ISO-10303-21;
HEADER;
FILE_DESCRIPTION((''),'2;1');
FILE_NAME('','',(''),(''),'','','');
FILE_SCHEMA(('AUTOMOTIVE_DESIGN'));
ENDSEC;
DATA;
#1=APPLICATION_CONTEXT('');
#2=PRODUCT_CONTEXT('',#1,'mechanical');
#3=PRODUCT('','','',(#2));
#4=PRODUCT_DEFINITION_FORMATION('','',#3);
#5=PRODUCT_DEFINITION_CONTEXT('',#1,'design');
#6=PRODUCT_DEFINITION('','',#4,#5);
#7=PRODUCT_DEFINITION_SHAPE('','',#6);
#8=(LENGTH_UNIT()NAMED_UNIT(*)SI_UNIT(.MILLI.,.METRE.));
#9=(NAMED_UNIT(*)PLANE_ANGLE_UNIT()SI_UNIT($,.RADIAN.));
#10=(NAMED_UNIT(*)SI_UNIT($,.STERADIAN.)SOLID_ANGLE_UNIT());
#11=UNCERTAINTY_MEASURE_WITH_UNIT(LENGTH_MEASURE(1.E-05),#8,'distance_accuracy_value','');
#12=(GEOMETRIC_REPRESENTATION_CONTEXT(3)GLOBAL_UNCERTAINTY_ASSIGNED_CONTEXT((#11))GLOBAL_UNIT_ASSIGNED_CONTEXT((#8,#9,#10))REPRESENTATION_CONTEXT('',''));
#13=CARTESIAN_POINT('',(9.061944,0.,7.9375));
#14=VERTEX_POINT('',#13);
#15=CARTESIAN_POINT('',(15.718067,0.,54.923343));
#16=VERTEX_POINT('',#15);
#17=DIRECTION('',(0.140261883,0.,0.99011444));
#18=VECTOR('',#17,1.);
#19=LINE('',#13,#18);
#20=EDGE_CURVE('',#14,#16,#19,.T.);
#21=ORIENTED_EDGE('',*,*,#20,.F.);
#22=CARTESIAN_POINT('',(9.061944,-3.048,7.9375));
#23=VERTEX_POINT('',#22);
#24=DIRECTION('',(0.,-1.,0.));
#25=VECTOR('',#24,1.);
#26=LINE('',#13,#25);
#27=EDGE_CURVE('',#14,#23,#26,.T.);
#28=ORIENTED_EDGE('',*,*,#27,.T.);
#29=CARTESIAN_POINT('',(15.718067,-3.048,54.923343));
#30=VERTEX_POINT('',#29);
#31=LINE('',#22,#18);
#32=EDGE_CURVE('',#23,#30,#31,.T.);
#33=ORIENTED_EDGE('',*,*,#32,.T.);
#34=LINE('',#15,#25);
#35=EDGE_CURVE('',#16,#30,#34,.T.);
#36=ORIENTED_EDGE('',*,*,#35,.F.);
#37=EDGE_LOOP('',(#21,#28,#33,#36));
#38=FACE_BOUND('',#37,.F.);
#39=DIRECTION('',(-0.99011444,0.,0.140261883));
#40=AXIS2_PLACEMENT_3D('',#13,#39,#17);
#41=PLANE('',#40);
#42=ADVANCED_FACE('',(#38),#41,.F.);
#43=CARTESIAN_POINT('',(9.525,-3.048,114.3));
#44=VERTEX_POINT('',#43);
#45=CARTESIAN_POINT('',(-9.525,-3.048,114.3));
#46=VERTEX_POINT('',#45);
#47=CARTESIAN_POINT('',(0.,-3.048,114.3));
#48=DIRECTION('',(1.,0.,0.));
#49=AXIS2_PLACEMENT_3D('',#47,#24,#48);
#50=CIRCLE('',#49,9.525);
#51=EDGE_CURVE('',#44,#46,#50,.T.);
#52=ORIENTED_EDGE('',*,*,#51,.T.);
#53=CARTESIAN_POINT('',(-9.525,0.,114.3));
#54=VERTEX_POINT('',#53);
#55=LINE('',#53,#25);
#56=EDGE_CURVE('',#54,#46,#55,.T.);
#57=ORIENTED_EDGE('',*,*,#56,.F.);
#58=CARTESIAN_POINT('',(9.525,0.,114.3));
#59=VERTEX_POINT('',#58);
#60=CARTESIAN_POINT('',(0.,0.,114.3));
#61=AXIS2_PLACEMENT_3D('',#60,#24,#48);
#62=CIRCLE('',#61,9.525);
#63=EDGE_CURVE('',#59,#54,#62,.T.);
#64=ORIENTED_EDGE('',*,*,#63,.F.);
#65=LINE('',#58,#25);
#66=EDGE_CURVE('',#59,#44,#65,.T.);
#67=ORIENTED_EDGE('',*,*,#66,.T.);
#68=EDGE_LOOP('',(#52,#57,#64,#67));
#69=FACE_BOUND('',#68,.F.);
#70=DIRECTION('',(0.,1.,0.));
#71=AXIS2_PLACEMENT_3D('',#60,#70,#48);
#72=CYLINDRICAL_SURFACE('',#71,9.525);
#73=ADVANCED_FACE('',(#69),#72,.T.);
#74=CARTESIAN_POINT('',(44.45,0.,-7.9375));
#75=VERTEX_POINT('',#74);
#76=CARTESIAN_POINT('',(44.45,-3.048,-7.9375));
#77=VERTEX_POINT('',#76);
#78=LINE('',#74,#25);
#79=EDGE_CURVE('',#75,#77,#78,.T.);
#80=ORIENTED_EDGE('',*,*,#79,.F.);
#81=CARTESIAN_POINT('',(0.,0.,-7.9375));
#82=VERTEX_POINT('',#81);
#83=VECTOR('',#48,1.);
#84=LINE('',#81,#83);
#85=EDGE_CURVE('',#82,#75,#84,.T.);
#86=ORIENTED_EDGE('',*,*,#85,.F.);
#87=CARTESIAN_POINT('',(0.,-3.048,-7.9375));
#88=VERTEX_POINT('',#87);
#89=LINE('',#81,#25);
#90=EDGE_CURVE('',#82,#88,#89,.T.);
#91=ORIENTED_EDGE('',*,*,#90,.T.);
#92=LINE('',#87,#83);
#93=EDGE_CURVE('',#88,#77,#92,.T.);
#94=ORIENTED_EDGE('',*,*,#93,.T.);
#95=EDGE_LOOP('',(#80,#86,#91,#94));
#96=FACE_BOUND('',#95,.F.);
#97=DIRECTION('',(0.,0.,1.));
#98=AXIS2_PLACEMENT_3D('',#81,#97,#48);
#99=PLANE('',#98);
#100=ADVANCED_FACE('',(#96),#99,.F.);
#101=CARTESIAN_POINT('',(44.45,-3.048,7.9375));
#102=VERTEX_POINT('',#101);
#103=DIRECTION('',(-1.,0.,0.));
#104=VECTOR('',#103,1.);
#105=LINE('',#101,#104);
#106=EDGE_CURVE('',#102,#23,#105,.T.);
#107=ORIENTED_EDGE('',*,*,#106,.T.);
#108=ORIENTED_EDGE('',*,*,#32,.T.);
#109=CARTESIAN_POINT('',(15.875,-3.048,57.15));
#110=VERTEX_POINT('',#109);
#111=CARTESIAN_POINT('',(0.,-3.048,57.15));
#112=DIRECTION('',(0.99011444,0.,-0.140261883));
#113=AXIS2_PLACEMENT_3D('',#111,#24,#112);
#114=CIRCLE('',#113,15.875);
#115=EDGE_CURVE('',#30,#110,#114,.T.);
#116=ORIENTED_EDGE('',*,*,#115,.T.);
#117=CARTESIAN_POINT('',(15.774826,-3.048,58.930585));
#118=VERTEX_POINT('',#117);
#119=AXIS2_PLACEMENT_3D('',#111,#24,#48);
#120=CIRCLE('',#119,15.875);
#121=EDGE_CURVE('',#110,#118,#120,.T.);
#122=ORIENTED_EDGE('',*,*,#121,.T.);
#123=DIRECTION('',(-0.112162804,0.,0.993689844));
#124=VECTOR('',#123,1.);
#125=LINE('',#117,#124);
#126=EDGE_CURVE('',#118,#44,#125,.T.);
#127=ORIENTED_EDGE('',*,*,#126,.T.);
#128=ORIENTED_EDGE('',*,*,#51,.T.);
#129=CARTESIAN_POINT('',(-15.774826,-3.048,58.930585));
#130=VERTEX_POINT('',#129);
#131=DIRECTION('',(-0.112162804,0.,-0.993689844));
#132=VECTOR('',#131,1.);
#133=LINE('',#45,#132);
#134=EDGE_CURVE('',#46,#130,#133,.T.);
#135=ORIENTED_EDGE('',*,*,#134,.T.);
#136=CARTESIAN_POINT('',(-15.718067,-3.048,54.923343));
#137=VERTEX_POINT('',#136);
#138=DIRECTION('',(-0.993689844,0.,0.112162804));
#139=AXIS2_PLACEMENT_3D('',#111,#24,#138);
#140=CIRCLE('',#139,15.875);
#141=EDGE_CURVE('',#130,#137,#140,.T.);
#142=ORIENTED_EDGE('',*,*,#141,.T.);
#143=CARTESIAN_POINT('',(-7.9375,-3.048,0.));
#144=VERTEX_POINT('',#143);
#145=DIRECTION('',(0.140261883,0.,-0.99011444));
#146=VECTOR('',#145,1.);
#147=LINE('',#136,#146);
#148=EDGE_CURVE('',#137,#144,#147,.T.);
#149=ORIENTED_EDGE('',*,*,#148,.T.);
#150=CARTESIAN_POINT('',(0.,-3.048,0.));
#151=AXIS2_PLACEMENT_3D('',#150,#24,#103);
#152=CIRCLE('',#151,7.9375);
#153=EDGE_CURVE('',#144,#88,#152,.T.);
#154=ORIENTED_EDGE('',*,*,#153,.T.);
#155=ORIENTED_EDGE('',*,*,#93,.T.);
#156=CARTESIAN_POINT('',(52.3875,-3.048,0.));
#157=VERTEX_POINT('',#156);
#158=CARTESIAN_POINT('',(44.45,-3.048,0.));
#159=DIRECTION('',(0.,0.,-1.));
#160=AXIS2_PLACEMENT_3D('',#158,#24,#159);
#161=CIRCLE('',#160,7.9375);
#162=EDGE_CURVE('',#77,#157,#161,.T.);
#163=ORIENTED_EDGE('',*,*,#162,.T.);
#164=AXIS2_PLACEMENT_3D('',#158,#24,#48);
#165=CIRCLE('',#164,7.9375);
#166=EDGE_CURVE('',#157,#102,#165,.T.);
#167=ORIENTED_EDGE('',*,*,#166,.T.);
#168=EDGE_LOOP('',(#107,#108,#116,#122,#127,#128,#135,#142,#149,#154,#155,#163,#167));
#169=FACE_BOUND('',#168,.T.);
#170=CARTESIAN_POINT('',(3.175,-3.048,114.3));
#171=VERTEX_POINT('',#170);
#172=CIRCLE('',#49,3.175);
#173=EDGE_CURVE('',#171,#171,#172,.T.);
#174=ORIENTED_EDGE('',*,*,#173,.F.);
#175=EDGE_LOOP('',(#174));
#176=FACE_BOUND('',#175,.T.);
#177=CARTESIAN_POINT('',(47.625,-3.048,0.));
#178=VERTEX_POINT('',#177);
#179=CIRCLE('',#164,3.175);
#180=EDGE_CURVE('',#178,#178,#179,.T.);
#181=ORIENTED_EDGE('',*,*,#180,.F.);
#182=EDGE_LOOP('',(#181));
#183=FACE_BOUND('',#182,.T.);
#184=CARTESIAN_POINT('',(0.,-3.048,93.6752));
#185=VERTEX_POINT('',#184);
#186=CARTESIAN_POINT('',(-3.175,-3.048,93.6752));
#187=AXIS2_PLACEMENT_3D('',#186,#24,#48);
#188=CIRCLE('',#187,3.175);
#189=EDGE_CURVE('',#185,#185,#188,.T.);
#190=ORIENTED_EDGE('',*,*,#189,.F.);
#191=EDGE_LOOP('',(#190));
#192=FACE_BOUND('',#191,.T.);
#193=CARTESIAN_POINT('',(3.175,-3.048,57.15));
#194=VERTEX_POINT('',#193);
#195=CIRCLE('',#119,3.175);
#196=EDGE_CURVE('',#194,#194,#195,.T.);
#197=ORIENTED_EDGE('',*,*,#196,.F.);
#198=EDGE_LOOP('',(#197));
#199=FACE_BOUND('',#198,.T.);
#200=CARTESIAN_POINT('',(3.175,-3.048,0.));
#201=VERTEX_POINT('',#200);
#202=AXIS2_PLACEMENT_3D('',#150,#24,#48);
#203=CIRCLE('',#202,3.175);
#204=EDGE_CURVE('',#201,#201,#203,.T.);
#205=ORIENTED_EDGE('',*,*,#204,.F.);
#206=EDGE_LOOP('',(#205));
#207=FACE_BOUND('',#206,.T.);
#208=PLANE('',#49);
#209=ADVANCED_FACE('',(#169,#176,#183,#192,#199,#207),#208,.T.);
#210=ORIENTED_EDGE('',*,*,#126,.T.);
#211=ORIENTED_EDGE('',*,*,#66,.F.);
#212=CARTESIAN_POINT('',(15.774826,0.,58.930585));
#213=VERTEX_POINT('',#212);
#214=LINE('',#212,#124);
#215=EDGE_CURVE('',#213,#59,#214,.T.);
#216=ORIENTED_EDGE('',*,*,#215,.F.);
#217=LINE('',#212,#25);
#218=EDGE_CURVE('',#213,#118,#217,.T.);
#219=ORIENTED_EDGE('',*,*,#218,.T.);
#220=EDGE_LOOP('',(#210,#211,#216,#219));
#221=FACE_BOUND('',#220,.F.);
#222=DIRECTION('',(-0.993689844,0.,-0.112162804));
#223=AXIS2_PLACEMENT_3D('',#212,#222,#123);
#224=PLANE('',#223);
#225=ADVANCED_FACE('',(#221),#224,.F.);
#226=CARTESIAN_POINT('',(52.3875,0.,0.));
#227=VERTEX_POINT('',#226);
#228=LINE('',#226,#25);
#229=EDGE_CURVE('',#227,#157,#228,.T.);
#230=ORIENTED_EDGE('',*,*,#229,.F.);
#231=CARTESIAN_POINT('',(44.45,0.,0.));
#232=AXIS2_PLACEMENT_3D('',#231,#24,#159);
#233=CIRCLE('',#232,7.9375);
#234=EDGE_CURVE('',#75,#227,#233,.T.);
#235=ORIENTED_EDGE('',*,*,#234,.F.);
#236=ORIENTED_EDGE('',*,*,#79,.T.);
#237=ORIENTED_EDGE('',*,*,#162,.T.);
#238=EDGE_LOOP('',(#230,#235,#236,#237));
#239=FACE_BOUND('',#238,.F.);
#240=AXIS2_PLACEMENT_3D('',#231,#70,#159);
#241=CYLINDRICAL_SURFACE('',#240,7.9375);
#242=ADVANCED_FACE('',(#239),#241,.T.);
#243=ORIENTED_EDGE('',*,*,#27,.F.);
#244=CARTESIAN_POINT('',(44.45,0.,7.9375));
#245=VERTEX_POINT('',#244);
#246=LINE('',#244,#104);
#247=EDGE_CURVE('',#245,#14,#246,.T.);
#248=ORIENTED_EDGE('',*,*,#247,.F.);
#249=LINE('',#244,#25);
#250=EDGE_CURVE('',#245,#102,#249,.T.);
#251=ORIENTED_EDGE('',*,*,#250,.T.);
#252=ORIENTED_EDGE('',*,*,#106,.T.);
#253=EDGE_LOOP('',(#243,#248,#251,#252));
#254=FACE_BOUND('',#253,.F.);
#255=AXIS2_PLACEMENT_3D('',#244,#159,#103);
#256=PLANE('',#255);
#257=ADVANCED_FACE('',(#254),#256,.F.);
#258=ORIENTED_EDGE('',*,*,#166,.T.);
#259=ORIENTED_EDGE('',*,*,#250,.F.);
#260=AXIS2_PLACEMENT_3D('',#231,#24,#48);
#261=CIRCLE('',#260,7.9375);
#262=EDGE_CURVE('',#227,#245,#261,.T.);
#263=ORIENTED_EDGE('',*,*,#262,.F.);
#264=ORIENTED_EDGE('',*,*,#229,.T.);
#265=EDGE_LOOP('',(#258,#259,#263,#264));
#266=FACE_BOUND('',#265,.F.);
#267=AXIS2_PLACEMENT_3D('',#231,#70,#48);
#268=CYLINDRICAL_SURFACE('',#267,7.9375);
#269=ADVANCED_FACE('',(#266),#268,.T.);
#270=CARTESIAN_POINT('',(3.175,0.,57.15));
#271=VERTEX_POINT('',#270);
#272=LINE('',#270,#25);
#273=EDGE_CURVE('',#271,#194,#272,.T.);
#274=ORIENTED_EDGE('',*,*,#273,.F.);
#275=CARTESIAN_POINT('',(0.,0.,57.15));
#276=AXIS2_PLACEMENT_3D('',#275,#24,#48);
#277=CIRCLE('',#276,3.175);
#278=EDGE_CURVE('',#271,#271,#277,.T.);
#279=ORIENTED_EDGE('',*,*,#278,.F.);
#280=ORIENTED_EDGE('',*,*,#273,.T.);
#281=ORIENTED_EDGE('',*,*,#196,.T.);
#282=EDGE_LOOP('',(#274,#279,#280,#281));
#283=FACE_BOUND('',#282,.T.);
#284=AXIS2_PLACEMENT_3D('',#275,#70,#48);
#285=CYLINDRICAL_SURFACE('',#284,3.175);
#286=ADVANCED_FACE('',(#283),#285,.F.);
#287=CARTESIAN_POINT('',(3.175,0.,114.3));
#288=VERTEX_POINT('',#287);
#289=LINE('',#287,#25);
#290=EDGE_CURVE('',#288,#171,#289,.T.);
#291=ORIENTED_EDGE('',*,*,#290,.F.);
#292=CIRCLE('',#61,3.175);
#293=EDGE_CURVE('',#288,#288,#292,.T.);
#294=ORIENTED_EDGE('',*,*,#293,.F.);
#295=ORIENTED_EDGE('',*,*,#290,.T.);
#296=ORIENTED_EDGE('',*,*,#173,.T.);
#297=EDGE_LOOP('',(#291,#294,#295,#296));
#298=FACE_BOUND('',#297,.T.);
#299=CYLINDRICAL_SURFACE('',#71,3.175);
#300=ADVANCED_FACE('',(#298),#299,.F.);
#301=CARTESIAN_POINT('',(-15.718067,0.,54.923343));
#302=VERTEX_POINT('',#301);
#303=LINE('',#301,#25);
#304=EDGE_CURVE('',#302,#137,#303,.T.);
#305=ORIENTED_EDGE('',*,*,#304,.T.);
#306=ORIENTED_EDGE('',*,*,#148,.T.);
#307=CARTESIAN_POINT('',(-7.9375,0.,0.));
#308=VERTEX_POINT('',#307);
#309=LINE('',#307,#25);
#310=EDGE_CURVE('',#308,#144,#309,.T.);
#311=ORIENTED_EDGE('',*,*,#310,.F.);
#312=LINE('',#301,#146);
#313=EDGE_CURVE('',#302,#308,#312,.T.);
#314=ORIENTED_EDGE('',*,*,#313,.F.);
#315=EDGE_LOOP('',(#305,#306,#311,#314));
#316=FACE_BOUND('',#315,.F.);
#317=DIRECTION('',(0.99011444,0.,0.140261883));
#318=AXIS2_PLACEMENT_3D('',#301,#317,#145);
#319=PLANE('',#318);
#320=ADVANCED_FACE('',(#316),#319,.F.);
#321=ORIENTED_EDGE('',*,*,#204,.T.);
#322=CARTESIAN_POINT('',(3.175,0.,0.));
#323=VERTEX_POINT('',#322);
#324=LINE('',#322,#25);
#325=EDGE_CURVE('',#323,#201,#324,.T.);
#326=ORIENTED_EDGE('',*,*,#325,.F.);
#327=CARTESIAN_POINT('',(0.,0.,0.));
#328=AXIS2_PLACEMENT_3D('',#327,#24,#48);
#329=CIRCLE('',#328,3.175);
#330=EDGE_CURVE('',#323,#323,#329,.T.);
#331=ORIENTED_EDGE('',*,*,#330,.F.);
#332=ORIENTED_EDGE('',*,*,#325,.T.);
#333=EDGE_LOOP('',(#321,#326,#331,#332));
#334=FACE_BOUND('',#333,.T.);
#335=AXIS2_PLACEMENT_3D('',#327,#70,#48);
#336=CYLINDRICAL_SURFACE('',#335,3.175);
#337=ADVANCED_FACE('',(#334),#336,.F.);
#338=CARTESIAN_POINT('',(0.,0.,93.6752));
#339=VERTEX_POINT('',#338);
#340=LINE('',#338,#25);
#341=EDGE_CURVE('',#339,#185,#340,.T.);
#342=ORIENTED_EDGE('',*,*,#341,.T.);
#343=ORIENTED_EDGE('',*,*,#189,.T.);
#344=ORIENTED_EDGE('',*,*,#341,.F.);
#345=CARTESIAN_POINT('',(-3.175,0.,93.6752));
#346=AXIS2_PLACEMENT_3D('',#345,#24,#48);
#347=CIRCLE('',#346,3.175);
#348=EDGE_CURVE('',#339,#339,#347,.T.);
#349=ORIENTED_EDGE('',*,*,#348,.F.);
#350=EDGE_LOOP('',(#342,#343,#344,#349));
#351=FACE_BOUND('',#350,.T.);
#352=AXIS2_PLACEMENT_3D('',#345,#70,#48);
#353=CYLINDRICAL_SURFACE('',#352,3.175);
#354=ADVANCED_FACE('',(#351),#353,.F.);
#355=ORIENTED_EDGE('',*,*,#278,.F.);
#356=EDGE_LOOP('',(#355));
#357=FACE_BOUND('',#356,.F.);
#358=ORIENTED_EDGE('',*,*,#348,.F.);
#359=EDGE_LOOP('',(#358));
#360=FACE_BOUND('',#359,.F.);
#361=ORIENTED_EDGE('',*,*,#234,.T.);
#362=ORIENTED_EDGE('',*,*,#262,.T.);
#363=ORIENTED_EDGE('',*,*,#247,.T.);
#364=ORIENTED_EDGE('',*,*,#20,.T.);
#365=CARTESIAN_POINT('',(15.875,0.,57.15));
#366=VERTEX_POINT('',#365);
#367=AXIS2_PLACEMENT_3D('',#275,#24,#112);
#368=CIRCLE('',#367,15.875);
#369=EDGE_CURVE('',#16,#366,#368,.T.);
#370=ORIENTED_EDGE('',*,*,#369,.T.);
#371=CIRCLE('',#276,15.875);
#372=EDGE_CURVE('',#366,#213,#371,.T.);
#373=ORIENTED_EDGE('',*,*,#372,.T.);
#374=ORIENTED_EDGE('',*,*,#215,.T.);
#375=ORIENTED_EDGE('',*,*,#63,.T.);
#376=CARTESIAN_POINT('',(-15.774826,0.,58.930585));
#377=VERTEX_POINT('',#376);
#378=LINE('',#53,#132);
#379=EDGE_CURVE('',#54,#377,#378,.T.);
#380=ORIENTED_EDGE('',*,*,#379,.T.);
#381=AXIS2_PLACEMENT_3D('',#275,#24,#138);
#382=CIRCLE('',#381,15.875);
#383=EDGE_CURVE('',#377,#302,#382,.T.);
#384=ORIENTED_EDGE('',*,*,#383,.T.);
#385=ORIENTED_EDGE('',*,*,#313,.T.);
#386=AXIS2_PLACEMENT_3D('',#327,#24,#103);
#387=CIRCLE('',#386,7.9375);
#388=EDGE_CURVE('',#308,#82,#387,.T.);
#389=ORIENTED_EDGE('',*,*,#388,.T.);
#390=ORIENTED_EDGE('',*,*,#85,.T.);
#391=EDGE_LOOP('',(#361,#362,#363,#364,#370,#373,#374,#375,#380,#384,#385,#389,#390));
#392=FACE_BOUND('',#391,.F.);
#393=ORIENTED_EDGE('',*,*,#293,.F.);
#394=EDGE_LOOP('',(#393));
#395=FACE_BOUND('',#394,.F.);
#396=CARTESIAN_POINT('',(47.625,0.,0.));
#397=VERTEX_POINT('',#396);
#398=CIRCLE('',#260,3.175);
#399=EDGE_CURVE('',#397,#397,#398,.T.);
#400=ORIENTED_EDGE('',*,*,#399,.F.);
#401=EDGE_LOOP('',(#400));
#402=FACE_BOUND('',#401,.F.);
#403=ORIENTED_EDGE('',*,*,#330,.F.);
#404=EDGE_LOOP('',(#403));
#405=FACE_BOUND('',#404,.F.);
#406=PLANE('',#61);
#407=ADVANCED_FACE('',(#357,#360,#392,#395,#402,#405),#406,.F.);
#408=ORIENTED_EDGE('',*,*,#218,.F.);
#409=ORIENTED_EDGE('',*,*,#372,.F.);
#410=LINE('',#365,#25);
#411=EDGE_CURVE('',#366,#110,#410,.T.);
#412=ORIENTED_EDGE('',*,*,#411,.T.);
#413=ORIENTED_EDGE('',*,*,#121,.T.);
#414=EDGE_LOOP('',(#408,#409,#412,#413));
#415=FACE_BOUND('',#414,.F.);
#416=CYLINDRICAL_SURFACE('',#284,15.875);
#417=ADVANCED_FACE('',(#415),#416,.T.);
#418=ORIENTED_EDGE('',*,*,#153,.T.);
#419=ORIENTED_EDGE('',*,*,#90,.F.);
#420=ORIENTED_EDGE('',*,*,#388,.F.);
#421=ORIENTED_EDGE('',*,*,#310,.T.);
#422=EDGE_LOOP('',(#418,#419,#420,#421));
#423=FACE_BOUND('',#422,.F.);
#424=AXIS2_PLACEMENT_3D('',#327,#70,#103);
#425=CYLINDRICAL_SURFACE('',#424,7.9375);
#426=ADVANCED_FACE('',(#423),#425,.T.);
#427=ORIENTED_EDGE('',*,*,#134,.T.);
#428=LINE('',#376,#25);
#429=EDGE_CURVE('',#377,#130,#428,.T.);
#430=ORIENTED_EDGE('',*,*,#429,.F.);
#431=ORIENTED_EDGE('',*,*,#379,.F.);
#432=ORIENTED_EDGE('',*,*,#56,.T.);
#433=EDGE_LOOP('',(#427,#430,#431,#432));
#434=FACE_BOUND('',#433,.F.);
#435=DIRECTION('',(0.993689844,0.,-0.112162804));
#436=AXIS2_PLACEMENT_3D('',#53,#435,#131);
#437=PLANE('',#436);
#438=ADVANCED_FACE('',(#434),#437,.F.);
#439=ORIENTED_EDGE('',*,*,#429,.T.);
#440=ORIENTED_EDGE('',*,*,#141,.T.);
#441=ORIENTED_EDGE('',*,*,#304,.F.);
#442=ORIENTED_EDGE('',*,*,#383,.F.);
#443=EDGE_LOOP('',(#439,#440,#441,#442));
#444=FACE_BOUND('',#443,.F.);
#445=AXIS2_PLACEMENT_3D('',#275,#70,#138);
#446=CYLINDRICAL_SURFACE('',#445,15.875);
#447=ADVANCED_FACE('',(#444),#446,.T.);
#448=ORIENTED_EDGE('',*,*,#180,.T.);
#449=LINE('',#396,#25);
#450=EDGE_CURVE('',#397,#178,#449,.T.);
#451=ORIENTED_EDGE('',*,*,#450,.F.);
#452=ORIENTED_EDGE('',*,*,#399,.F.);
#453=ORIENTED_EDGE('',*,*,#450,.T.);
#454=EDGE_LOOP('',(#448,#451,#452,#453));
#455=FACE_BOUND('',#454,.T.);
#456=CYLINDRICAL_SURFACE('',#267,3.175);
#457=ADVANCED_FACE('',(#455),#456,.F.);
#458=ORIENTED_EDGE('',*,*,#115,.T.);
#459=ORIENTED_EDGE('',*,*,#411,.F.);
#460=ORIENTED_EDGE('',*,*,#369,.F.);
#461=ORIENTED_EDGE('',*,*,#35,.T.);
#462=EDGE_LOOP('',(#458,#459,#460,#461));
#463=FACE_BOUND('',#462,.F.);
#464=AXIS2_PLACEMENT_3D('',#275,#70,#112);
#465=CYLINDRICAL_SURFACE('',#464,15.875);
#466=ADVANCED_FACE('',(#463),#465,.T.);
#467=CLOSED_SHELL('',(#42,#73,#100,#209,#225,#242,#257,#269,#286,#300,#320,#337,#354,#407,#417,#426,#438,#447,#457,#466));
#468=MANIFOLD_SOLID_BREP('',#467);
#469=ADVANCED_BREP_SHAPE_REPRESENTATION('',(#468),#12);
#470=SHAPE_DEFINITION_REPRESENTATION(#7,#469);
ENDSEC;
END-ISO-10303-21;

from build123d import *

# Parameters (mm, degrees)
F0_R     = 3.175
F1_DEPTH = 3.048


with BuildPart() as f1:
    # F0 (on Front) → F1 (new body)
    with BuildSketch(Plane.XZ):
        with BuildLine():
            ThreePointArc((-9.525, 114.3), (0, 104.775), (9.525, 114.3))
            ThreePointArc((9.525, 114.3), (0, 123.825), (-9.525, 114.3))
        make_face()
        with Locations((0, 114.3)):
            Circle(F0_R, mode=Mode.SUBTRACT)
        with BuildLine():
            Line((15.7748262685, 58.9305845108), (9.525, 114.3))
            ThreePointArc((9.525, 114.3), (0, 104.775), (-9.525, 114.3))
            Line((-9.525, 114.3), (-15.7748262685, 58.9305845108))
            ThreePointArc((-15.7748262685, 58.9305845108), (0, 73.025), (15.7748262685, 58.9305845108))
        make_face()
        with Locations((-3.175, 93.6752)):
            Circle(F0_R, mode=Mode.SUBTRACT)
        with BuildLine():
            ThreePointArc((15.875, 57.15), (15.8499367824, 58.0417000584), (15.7748262685, 58.9305845108))
            ThreePointArc((15.7748262685, 58.9305845108), (0, 73.025), (-15.7748262685, 58.9305845108))
            ThreePointArc((-15.7748262685, 58.9305845108), (-15.8734077732, 56.9251652464), (-15.7180667333, 54.9233426018))
            ThreePointArc((-15.7180667333, 54.9233426018), (0, 41.275), (15.7180667333, 54.9233426018))
            ThreePointArc((15.7180667333, 54.9233426018), (15.8357180827, 56.0339095893), (15.875, 57.15))
        make_face()
        with Locations((0, 57.15)):
            Circle(F0_R, mode=Mode.SUBTRACT)
        with BuildLine():
            ThreePointArc((15.7180667333, 54.9233426018), (0, 41.275), (-15.7180667333, 54.9233426018))
            Line((-15.7180667333, 54.9233426018), (-7.9375, 0))
            ThreePointArc((-7.9375, 0), (-5.6126600757, 5.6126600757), (0, 7.9375))
            Line((0, 7.9375), (9.0619444624, 7.9375))
            Line((9.0619444624, 7.9375), (15.7180667333, 54.9233426018))
        make_face()
        with BuildLine():
            ThreePointArc((0, 7.9375), (-5.6126600757, 5.6126600757), (-7.9375, 0))
            ThreePointArc((-7.9375, 0), (-5.6126600757, -5.6126600757), (0, -7.9375))
            ThreePointArc((0, -7.9375), (5.6126600757, -5.6126600757), (7.9375, 0))
            ThreePointArc((7.9375, 0), (5.6126600757, 5.6126600757), (0, 7.9375))
        make_face()
        Circle(F0_R, mode=Mode.SUBTRACT)
        with BuildLine():
            Line((44.45, 7.9375), (9.0619444624, 7.9375))
            Line((9.0619444624, 7.9375), (7.9375, 0))
            ThreePointArc((7.9375, 0), (5.6126600757, -5.6126600757), (0, -7.9375))
            Line((0, -7.9375), (44.45, -7.9375))
            ThreePointArc((44.45, -7.9375), (36.5125, 0), (44.45, 7.9375))
        make_face()
        with BuildLine():
            Line((7.9375, 0), (9.0619444624, 7.9375))
            Line((9.0619444624, 7.9375), (0, 7.9375))
            ThreePointArc((0, 7.9375), (5.6126600757, 5.6126600757), (7.9375, 0))
        make_face()
        with BuildLine():
            ThreePointArc((52.3875, 0), (50.0626600757, 5.6126600757), (44.45, 7.9375))
            ThreePointArc((44.45, 7.9375), (36.5125, 0), (44.45, -7.9375))
            ThreePointArc((44.45, -7.9375), (50.0626600757, -5.6126600757), (52.3875, 0))
        make_face()
        with Locations((44.45, 0)):
            Circle(F0_R, mode=Mode.SUBTRACT)
    extrude(amount=F1_DEPTH)


solid = f1.part
